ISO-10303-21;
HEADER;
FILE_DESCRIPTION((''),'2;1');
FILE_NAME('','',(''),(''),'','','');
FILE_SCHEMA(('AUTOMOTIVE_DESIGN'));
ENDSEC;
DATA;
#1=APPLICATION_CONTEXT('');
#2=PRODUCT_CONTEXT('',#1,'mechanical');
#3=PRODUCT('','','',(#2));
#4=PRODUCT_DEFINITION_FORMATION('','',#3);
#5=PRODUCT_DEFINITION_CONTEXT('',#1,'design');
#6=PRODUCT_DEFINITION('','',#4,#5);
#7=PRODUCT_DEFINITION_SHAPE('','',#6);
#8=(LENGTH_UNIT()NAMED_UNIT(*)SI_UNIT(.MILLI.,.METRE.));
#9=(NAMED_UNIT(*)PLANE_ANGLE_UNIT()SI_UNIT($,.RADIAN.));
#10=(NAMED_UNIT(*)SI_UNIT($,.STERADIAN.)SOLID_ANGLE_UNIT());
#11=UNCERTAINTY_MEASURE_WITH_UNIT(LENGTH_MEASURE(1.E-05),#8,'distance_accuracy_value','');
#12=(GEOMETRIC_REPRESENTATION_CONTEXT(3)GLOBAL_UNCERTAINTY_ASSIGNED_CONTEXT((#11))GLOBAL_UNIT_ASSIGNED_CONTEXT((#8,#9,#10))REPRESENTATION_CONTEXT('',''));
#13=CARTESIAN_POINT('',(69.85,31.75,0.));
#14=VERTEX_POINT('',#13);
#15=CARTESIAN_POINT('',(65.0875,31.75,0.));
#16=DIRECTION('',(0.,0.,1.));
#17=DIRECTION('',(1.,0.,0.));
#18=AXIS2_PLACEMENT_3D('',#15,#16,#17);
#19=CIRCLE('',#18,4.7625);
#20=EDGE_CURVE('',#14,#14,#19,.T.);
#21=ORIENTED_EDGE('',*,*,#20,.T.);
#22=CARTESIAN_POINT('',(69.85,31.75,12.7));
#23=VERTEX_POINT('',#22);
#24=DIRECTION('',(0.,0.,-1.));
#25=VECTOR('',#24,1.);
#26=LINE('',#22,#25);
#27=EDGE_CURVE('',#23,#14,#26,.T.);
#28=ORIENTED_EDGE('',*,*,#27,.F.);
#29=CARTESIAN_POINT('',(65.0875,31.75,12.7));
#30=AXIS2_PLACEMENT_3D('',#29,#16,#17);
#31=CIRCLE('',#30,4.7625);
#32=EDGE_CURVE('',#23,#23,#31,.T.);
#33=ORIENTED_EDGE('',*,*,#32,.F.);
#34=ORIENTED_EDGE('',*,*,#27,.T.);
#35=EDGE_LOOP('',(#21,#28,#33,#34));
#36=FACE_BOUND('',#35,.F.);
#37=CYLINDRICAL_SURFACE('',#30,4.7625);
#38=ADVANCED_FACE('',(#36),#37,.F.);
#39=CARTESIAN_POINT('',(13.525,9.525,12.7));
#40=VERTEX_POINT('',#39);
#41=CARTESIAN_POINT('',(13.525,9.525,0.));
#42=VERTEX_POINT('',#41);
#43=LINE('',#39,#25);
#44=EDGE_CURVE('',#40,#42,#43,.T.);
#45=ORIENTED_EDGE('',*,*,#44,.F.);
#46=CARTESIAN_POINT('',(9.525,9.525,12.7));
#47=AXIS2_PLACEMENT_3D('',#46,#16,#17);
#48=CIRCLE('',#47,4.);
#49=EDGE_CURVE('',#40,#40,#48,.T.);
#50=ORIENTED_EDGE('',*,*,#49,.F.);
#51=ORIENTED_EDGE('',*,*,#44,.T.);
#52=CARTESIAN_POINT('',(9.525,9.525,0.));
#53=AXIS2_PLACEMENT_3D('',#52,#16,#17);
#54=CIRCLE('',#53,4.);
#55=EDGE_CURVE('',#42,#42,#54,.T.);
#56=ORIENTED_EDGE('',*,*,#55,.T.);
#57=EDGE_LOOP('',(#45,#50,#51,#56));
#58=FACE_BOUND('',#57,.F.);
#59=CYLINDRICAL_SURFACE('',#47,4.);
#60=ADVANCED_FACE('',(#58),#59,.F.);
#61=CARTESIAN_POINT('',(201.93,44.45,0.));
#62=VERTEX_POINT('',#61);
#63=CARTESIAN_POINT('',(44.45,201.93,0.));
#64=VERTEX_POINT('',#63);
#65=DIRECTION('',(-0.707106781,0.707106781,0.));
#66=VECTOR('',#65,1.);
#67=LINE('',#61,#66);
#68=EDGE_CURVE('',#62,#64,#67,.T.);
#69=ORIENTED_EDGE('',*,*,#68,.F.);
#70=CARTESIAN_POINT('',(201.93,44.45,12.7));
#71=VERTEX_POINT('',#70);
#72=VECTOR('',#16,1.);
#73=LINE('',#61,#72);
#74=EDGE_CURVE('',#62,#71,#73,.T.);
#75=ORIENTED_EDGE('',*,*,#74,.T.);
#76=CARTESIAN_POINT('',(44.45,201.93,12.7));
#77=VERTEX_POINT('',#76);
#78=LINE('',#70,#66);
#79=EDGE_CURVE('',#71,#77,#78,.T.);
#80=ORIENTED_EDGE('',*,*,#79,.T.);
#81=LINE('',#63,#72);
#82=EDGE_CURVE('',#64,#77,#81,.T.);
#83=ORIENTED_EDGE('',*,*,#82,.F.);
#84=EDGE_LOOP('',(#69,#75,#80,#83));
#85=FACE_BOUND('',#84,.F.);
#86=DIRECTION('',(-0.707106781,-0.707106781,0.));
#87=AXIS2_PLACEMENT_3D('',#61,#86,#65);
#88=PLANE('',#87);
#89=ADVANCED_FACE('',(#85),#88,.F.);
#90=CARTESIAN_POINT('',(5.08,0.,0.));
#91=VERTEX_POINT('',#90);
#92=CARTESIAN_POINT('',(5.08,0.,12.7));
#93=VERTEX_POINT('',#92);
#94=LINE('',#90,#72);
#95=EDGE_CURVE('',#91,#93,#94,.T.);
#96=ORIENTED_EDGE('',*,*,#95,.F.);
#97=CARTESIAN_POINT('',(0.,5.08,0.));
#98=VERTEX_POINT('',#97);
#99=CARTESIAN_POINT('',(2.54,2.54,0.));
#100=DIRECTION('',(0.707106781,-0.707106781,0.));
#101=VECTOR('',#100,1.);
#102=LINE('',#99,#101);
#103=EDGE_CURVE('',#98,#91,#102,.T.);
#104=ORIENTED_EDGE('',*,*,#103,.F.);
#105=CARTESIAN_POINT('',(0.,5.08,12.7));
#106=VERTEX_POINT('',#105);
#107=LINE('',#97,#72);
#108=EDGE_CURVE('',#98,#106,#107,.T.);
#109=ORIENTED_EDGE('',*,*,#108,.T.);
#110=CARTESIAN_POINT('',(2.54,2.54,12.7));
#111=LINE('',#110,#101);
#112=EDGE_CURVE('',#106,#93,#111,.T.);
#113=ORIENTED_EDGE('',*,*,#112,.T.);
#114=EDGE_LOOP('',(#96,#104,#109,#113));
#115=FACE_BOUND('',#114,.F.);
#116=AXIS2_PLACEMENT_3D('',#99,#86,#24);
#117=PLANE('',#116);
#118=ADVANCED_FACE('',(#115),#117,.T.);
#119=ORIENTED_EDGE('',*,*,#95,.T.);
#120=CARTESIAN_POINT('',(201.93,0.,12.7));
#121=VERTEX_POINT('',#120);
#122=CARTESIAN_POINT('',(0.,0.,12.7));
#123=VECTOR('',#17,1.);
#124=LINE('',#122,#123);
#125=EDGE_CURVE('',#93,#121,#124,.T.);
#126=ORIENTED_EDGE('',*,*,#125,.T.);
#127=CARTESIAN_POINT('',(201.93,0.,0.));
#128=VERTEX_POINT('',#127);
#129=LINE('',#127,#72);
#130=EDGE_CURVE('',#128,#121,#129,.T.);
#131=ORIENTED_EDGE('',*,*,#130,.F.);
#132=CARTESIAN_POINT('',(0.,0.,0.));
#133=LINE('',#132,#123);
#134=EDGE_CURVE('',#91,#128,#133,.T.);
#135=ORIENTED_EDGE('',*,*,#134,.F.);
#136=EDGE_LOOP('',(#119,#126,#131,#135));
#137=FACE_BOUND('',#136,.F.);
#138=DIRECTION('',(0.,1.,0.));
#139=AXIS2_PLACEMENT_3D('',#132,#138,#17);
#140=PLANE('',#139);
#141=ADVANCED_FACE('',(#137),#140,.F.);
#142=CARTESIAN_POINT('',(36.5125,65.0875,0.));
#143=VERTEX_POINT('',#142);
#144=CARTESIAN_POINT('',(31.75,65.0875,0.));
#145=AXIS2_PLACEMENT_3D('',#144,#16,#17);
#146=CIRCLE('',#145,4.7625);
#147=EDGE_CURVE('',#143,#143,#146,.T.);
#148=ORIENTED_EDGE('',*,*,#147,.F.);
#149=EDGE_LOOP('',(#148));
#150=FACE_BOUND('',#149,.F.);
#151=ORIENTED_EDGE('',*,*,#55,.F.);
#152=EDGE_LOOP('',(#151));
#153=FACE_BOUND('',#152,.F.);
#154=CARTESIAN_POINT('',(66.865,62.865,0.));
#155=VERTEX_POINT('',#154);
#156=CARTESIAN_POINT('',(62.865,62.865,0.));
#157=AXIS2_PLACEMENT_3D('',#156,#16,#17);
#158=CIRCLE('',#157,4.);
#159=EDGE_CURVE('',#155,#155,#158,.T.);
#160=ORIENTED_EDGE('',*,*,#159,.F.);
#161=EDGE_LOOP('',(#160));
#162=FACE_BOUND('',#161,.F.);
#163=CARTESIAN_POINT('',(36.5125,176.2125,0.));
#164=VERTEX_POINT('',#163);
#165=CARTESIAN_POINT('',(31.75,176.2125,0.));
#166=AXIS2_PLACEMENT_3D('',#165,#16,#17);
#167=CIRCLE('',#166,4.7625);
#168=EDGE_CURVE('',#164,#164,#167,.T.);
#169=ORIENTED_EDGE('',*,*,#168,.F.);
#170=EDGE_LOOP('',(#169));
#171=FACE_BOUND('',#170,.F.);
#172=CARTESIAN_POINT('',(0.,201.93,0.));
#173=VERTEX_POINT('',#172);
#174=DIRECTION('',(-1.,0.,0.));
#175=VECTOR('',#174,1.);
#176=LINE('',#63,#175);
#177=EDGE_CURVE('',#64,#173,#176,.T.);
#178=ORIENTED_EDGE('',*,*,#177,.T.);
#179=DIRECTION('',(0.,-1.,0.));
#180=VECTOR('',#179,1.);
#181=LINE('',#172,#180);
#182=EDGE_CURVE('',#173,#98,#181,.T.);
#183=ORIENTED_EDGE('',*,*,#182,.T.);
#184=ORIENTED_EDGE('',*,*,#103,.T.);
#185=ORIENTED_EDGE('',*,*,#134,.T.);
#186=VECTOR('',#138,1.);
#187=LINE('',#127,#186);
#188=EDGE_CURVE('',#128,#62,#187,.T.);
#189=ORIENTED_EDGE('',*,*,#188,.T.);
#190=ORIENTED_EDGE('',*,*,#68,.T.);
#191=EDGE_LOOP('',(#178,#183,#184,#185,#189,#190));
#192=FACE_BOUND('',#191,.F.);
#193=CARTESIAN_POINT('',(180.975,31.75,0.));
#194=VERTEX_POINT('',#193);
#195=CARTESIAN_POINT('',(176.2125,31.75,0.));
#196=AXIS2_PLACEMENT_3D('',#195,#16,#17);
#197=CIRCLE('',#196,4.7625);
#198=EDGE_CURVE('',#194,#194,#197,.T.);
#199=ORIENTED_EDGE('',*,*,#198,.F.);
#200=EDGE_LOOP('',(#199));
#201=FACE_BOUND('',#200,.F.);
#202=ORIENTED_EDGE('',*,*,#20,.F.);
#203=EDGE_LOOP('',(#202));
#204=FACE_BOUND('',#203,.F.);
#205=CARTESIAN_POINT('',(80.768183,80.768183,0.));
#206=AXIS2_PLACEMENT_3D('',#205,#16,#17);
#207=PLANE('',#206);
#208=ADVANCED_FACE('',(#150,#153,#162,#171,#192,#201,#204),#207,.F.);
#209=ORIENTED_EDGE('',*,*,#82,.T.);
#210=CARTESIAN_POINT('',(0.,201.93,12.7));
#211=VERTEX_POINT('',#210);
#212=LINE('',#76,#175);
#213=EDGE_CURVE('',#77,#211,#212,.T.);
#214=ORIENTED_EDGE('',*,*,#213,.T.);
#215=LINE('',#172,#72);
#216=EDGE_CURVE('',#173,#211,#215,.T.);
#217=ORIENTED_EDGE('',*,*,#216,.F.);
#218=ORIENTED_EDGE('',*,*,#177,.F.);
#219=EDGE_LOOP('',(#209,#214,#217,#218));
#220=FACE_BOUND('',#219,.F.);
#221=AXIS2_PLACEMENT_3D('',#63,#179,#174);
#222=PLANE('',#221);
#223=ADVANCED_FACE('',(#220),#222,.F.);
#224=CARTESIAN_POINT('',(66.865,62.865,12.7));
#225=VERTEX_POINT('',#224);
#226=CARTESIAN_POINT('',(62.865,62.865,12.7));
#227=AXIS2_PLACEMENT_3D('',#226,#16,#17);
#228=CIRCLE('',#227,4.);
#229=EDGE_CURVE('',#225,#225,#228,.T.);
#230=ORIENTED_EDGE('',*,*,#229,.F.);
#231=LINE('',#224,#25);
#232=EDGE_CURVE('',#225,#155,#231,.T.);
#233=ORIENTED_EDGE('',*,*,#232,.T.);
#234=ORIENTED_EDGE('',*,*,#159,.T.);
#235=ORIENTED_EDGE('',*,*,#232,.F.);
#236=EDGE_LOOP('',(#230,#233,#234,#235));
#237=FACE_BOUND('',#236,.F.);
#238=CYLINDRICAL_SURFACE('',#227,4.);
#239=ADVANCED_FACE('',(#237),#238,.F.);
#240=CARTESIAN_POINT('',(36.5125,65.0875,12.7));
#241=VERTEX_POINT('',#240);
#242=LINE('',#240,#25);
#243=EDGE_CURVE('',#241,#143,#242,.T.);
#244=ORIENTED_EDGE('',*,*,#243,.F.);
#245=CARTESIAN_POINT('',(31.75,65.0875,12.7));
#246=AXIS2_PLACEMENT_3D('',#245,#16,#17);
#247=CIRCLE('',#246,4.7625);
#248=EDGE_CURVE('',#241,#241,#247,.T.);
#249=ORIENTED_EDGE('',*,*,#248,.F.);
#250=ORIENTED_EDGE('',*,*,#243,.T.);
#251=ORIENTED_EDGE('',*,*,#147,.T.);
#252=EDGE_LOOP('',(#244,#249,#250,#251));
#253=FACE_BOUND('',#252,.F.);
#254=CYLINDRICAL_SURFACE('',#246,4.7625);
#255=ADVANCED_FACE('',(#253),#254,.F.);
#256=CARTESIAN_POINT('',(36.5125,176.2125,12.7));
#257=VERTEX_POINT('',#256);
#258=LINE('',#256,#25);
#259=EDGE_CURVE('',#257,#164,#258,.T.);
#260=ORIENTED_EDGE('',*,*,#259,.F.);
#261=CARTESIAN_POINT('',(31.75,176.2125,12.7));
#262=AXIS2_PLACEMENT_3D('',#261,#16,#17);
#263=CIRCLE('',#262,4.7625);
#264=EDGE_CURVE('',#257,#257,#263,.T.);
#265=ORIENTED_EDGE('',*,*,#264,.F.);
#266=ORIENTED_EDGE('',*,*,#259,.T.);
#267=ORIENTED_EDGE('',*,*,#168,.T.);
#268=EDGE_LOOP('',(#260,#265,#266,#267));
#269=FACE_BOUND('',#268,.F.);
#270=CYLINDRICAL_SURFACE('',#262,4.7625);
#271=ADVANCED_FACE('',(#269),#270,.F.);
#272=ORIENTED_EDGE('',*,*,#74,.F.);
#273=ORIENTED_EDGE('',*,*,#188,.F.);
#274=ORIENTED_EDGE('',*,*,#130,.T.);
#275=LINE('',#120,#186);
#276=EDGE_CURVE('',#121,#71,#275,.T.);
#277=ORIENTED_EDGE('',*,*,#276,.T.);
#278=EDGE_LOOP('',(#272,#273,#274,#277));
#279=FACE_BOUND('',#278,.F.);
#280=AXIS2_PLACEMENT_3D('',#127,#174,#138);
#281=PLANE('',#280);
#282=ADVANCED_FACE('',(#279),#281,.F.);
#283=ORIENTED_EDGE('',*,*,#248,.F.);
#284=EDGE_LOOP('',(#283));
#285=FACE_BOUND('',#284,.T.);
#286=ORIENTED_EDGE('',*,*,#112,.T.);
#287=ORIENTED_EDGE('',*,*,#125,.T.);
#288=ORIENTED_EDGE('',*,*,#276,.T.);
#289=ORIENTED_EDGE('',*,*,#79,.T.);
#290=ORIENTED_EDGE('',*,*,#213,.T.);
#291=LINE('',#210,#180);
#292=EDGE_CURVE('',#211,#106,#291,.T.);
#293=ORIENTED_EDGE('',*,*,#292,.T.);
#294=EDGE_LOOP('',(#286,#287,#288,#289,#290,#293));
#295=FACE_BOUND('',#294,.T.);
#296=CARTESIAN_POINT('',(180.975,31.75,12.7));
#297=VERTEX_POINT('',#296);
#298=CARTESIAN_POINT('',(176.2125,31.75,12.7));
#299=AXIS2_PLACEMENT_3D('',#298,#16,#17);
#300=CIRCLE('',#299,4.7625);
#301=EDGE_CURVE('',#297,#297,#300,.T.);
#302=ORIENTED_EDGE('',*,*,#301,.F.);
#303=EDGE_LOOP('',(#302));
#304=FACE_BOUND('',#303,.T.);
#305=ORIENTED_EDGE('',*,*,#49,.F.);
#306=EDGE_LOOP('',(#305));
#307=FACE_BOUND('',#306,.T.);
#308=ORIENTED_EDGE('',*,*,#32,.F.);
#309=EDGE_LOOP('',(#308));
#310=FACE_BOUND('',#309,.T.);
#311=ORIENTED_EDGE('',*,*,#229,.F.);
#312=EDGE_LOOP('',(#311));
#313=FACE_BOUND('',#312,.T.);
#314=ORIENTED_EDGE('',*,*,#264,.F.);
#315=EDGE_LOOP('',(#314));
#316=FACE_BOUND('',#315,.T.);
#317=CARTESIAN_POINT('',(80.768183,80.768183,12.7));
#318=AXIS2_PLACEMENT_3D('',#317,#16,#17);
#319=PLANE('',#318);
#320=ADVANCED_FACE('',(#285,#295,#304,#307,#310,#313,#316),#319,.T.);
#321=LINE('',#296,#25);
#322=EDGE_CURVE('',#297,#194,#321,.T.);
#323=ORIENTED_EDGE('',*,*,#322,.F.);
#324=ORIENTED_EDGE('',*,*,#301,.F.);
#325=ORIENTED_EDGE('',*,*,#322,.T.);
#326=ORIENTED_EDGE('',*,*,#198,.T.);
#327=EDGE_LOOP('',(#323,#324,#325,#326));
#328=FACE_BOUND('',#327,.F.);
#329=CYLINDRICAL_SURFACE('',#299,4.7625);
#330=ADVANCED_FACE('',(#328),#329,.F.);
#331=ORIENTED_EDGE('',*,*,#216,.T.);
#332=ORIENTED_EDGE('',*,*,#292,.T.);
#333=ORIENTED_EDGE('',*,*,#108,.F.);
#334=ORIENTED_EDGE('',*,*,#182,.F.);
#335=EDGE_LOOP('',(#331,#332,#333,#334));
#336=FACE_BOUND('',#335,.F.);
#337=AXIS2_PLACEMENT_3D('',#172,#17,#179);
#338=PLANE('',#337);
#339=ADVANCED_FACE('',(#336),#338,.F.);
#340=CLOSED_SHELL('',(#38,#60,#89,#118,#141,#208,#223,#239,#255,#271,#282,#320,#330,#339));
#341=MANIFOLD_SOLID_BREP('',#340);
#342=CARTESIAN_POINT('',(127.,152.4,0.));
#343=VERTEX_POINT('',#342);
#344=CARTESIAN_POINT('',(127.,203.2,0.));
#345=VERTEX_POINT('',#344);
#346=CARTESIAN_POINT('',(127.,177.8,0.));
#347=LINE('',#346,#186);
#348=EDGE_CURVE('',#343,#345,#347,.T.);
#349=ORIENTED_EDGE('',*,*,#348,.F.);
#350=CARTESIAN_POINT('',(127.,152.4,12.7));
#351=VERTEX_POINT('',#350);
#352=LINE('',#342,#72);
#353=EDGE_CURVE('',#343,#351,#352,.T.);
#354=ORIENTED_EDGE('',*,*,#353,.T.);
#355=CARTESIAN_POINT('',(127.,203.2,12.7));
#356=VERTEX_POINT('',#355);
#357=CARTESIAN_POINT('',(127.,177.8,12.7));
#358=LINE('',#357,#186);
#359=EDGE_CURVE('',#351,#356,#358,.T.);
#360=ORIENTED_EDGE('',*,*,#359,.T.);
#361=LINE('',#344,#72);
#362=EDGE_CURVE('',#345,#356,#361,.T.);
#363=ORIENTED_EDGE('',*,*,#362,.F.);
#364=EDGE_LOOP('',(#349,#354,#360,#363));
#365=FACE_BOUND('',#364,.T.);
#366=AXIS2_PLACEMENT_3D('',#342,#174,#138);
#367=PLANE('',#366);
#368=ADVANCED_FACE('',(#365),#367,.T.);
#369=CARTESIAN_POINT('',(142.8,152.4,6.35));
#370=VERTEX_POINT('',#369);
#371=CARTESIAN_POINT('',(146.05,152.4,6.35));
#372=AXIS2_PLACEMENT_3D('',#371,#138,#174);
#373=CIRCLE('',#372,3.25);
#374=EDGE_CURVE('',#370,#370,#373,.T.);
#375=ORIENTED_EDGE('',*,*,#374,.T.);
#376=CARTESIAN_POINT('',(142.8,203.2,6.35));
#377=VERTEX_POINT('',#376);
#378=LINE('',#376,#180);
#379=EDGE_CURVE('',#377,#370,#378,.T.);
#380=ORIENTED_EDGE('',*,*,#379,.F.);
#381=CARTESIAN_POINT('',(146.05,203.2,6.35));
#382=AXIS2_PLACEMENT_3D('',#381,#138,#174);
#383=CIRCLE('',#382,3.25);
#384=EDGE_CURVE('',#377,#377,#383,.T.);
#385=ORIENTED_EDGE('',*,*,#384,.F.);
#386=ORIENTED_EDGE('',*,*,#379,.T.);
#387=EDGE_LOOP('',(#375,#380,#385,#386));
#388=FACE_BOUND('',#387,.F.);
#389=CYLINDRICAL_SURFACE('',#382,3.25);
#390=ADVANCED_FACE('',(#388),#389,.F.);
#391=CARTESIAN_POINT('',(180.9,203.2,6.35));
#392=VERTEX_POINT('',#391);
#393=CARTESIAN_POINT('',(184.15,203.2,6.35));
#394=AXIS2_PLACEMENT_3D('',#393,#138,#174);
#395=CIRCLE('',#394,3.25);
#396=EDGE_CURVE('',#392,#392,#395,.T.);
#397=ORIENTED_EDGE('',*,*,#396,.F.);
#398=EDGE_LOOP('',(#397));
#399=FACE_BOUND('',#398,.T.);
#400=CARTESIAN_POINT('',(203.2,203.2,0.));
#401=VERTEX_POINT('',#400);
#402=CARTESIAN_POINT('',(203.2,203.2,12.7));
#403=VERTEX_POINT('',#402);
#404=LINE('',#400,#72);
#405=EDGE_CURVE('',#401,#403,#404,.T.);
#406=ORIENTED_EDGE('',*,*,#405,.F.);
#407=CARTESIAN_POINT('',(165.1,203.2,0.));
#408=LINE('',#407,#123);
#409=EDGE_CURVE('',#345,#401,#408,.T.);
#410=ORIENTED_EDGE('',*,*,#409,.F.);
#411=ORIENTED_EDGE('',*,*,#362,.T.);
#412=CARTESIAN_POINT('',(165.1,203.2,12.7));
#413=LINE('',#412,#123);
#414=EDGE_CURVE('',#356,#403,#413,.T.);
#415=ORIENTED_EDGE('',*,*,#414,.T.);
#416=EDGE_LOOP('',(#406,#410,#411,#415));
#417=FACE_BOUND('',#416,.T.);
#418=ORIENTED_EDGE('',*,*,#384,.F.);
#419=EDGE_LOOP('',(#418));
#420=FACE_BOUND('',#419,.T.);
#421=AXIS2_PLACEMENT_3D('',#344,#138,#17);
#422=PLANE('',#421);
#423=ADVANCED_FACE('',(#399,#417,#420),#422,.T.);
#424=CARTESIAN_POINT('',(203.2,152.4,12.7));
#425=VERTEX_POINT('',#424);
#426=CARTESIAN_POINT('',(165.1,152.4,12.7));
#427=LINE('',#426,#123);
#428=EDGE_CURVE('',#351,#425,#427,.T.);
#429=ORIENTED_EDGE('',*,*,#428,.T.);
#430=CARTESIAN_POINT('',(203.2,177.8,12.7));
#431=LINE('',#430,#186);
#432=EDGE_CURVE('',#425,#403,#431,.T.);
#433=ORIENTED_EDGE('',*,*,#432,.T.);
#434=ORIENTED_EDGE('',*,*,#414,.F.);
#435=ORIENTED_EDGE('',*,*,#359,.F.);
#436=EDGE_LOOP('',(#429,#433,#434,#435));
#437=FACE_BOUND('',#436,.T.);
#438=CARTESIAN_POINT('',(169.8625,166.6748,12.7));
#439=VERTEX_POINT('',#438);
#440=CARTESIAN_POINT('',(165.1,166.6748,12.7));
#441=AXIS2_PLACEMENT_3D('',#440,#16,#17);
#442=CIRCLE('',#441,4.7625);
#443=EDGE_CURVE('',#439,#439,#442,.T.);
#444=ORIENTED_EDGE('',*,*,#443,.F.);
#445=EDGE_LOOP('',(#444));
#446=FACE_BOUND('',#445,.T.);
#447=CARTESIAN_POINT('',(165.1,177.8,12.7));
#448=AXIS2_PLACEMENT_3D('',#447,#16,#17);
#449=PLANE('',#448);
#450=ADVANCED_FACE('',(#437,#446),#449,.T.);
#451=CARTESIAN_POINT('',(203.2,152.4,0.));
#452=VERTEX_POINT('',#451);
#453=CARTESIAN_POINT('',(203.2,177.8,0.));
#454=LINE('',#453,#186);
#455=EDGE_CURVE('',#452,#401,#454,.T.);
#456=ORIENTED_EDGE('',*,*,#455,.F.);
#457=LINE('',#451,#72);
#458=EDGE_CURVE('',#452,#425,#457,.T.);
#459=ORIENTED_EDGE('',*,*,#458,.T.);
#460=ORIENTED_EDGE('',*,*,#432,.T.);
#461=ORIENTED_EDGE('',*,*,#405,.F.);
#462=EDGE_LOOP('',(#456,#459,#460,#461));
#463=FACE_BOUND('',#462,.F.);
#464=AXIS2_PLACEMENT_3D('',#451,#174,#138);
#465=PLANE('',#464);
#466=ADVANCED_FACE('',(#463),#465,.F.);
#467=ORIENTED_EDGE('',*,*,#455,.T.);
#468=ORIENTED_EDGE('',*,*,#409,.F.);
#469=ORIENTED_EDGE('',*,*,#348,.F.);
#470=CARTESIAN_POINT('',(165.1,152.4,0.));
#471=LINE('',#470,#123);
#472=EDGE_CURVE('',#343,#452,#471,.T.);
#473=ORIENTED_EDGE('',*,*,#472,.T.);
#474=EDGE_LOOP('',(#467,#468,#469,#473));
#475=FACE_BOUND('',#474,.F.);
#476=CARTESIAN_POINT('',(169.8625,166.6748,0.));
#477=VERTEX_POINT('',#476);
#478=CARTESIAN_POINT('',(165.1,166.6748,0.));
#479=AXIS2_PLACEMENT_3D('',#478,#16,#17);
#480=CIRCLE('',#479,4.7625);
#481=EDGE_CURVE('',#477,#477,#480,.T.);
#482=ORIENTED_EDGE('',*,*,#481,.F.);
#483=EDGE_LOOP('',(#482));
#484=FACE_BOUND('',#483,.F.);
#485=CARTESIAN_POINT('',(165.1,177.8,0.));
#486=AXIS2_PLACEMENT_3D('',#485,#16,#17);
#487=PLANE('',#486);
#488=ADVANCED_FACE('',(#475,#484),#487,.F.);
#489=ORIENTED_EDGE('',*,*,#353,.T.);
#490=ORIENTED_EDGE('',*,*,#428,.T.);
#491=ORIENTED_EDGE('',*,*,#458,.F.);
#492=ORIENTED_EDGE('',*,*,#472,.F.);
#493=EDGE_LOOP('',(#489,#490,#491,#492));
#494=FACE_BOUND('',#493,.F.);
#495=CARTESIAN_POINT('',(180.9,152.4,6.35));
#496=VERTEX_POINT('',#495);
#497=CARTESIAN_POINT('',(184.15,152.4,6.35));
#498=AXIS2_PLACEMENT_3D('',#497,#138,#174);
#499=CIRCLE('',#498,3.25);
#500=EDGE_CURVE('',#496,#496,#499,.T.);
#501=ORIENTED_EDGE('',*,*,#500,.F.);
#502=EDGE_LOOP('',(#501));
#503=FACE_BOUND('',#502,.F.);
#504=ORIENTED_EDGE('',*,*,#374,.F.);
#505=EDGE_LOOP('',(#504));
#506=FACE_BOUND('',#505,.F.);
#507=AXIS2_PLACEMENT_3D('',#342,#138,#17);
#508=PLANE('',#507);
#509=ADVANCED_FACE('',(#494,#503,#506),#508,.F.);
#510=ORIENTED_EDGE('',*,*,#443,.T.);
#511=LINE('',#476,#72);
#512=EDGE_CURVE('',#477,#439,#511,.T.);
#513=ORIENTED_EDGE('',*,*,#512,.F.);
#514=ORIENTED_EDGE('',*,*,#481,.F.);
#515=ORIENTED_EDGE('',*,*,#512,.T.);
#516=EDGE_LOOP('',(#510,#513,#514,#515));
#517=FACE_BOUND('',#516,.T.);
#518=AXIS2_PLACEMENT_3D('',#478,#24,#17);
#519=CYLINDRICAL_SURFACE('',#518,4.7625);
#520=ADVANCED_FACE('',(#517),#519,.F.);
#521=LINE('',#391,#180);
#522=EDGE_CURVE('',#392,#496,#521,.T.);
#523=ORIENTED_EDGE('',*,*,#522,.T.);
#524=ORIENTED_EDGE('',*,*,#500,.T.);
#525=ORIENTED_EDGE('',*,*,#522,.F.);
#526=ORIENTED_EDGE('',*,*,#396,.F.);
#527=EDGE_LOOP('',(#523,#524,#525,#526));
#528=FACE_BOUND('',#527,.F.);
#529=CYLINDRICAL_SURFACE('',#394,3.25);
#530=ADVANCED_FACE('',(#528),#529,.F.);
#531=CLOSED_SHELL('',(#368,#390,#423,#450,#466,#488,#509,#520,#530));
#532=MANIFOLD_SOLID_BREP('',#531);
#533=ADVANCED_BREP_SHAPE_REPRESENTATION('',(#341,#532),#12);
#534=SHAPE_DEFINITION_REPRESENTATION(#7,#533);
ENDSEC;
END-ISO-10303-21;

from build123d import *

# Parameters (mm, degrees)
F1_DEPTH  = 12.7
F2_R      = 4.7625
F2_R_2    = 4
F3_DEPTH  = 12.701
F4_SIZE   = 5.08
F7_DEPTH  = 12.7
F8_R      = 4
F9_DEPTH  = 14.942283
F11_W     = 76.2
F11_H     = 50.8
F11_R     = 4.7625
F12_DEPTH = 12.7
F13_R     = 3.25
F14_DEPTH = 50.8


with BuildPart() as f1:
    # F0 (on Top) → F1 (new body)
    with BuildSketch(Plane.XY):
        Polygon((0, 201.93), (0, 0), (201.93, 0), (201.93, 44.45), (44.45, 201.93), align=None)
    extrude(amount=F1_DEPTH)

    # F2 (on face) → F3 (cut, through all)
    with BuildSketch(Plane.XY.offset(12.7)):
        with Locations((65.0875, 31.75)):
            Circle(F2_R)
        with Locations((176.2125, 31.75)):
            Circle(F2_R)
        with Locations((31.75, 176.2125)):
            Circle(F2_R)
        with Locations((31.75, 65.0875)):
            Circle(F2_R)
        with Locations((9.525, 9.525)):
            Circle(F2_R_2)
        with Locations((62.865, 62.865)):
            Circle(F2_R_2)
    extrude(amount=-F3_DEPTH, mode=Mode.SUBTRACT)

    # F4
    f4_edges = [f1.edges().sort_by_distance(p)[0] for p in [
        (0, 0, 6.35),
    ]]
    chamfer(f4_edges, length=F4_SIZE)


with BuildPart() as f7:
    # F6 (on Top) → F7 (new body)
    with BuildSketch(Plane.XY):
        with BuildLine():
            Line((203.2, 203.2), (127, 203.2))
            Line((127, 203.2), (127, 190.5))
            Line((127, 190.5), (177.8, 190.5))
            ThreePointArc((177.8, 190.5), (186.780256, 186.780256), (190.5, 177.8))
            Line((190.5, 177.8), (190.5, 127))
            Line((190.5, 127), (203.2, 127))
            Line((203.2, 127), (203.2, 203.2))
        make_face()
    extrude(amount=F7_DEPTH)

    # F8 (on face) → F9 (cut, through all)
    with BuildSketch(Plane.YZ.offset(203.2)):
        with Locations((185.00598, 6.35)):
            Circle(F8_R)
        with Locations((166.6748, 6.35)):
            Circle(F8_R)
    extrude(amount=-F9_DEPTH, mode=Mode.SUBTRACT)


with BuildPart() as f12:
    # F11 (on face) → F12 (new body)
    with BuildSketch(Plane.XY):
        with Locations((165.1, 177.8)):
            Rectangle(F11_W, F11_H)
        with Locations((165.1, 166.6748)):
            Circle(F11_R, mode=Mode.SUBTRACT)
    extrude(amount=F12_DEPTH)

    # F13 (on face) → F14 (cut, through all)
    with BuildSketch(Plane(origin=(0, 203.2, 0), x_dir=(-1, 0, 0), z_dir=(0, 1, 0))):
        with Locations((-184.15, 6.35)):
            Circle(F13_R)
        with Locations((-146.05, 6.35)):
            Circle(F13_R)
    extrude(amount=-F14_DEPTH, mode=Mode.SUBTRACT)


solid = Compound([f1.part, f12.part])
